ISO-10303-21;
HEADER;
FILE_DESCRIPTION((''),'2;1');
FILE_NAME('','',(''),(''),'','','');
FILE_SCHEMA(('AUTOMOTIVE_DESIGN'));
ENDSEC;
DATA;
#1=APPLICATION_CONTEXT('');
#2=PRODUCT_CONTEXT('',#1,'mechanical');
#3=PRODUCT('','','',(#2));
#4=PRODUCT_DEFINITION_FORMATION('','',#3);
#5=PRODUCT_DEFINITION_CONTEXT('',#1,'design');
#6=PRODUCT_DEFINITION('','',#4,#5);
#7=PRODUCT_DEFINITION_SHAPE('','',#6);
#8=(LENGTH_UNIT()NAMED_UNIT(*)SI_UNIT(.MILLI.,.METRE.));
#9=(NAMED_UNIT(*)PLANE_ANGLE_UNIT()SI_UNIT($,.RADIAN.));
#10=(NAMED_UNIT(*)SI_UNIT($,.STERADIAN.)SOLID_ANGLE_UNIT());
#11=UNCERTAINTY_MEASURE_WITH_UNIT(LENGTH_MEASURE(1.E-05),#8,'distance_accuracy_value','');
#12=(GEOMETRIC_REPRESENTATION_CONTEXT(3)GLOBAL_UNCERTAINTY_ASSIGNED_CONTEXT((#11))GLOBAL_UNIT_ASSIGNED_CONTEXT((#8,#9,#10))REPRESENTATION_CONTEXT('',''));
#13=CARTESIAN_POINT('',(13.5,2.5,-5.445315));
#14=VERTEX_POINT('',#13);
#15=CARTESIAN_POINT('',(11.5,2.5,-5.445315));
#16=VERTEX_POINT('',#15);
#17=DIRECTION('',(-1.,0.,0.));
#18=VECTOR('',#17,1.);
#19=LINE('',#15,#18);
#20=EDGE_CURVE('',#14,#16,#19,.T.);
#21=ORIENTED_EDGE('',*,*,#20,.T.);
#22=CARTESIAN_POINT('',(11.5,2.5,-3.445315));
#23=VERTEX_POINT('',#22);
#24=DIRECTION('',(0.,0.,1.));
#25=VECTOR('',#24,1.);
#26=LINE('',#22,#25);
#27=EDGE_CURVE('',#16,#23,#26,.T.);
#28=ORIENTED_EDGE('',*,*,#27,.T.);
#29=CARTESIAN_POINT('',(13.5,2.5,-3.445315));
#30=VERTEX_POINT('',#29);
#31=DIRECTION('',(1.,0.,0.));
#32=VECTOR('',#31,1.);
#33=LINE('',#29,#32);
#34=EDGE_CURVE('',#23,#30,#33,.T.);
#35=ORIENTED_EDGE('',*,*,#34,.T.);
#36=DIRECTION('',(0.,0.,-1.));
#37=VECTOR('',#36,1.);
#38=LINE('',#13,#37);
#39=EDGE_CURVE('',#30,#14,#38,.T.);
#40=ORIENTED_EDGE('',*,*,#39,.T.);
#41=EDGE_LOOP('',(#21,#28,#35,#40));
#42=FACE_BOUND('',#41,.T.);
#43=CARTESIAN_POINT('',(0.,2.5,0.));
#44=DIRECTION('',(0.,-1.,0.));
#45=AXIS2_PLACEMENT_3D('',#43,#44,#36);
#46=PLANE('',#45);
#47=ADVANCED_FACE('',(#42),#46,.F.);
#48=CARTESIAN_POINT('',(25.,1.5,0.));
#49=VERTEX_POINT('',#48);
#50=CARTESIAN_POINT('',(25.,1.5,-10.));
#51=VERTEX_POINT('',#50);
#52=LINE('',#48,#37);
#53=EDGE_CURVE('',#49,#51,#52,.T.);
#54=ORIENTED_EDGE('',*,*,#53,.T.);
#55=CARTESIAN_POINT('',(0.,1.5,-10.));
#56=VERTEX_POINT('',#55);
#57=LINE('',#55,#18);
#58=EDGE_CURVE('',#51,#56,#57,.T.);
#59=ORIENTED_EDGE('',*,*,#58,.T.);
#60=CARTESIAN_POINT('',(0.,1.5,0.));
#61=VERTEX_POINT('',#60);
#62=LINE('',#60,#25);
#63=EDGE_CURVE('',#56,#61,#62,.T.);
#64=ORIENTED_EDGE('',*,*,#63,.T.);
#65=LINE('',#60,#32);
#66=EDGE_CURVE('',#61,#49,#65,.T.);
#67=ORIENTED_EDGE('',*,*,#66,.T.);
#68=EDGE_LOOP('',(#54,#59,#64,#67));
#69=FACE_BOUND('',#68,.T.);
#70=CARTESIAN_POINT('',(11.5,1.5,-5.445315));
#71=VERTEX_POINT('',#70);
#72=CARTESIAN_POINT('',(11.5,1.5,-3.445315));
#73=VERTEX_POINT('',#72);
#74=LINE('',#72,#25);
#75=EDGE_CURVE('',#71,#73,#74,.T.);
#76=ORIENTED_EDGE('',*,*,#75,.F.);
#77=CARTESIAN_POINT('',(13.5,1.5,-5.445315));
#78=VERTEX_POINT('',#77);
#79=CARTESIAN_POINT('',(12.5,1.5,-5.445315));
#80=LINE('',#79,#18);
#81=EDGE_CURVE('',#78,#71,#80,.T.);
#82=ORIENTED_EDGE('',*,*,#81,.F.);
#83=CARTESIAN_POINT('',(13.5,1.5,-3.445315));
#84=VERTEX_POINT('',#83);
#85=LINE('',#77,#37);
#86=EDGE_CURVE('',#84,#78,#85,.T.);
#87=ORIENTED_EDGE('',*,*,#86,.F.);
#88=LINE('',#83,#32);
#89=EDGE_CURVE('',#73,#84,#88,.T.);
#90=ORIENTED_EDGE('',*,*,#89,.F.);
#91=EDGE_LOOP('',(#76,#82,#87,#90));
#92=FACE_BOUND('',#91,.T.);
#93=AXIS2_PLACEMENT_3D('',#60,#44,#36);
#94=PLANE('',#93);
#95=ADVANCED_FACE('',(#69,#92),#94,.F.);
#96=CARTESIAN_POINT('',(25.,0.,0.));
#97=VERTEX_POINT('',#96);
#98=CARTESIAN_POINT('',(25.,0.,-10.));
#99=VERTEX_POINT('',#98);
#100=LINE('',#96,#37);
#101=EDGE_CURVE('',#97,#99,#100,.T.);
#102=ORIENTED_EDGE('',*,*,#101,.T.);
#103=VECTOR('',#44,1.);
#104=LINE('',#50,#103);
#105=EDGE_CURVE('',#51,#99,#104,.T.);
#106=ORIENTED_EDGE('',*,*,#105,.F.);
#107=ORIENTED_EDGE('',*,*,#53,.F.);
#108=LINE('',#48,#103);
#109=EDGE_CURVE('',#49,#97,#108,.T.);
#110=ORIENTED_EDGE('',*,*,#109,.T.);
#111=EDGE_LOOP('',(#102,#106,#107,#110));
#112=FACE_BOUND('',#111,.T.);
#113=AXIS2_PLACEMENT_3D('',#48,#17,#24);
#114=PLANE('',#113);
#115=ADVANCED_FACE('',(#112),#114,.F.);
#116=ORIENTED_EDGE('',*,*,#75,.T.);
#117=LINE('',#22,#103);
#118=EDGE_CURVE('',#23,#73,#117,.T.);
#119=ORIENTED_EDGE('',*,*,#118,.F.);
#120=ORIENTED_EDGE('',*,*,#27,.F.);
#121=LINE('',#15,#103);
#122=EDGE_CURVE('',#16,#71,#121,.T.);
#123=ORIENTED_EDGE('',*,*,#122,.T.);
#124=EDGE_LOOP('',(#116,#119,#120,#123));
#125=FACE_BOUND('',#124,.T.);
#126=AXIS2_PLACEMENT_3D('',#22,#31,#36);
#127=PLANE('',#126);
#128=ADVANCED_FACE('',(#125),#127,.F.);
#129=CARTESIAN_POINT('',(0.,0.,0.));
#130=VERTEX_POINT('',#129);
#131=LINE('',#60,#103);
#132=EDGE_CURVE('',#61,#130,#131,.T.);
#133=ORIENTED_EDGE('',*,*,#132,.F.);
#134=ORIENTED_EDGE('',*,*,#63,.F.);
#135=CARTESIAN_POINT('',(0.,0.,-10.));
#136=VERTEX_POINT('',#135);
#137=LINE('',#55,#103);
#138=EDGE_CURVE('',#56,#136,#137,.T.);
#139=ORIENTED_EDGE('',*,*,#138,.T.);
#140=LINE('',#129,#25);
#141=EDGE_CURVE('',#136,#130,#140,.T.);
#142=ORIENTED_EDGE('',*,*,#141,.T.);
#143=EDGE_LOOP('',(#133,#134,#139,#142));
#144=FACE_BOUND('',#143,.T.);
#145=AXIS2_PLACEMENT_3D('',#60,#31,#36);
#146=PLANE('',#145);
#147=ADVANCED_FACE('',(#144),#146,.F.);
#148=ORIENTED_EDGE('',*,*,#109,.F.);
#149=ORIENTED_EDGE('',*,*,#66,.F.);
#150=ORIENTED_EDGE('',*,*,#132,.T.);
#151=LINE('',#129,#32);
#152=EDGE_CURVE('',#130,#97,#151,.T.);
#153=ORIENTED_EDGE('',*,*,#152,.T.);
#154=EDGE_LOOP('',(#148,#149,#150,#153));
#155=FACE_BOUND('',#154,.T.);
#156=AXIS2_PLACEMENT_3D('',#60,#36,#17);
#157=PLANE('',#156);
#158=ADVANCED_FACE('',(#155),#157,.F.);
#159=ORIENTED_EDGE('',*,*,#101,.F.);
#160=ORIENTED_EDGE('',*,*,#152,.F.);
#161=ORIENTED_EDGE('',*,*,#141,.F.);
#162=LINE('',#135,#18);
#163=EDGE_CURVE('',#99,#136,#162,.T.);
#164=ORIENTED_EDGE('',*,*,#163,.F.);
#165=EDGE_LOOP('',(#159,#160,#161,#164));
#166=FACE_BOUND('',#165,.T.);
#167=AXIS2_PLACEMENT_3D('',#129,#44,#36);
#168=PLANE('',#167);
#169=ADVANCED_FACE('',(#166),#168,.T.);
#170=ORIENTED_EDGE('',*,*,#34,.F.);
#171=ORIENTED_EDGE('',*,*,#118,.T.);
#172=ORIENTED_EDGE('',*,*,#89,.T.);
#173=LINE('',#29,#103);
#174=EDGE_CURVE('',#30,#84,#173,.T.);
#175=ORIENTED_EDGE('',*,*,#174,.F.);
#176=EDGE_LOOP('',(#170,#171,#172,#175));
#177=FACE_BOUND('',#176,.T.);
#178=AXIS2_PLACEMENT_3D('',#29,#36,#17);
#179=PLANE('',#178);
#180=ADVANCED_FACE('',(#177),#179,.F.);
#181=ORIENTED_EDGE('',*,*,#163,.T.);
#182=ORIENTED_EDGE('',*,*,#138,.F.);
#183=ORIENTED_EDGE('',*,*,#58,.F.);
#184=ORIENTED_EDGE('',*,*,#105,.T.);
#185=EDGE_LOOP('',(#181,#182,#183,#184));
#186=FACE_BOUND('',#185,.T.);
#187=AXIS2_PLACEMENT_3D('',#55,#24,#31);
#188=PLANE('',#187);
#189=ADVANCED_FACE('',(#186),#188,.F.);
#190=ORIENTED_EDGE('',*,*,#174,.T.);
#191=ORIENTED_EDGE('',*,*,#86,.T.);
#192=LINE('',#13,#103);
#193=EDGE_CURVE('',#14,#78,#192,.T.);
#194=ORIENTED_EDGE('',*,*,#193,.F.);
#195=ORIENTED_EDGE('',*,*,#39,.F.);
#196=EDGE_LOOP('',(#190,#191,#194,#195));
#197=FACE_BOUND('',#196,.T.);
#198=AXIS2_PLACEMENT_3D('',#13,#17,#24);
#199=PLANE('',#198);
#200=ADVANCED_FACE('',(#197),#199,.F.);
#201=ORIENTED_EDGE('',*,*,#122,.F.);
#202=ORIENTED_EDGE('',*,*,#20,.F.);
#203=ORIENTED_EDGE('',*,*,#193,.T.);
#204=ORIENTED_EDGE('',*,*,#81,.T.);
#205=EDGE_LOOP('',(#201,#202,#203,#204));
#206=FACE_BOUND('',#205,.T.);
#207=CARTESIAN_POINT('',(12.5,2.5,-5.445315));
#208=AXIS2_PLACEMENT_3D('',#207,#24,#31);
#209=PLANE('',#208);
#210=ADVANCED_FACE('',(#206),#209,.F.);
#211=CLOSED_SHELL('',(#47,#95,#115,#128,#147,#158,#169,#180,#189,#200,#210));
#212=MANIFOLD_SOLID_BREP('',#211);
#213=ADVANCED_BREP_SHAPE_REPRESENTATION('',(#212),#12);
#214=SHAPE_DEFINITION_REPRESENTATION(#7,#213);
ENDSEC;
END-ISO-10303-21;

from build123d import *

# Parameters (mm, degrees)
SKETCH2_W           = 25
SKETCH2_H           = 10
BOSS_EXTRUDE1_DEPTH = 1.5
BOSS_EXTRUDE2_DEPTH = 1


with BuildPart() as part:
    # Sketch2 → Boss-Extrude1 (new body)
    with BuildSketch(Plane(origin=(0, 0, 0), x_dir=(1, 0, 0), z_dir=(0, 1, 0))):
        with Locations((12.5, 5)):
            Rectangle(SKETCH2_W, SKETCH2_H)
    extrude(amount=BOSS_EXTRUDE1_DEPTH)

    # Sketch3 → Boss-Extrude2 (add)
    with BuildSketch(Plane(origin=(0, 1.5, 0), x_dir=(1, 0, 0), z_dir=(0, 1, 0))):
        Polygon((12.5, 5.445314902), (13.5, 5.445314902), (13.5, 3.445314902), (11.5, 3.445314902), (11.5, 5.445314902), align=None)
    extrude(amount=BOSS_EXTRUDE2_DEPTH)


solid = part.part
